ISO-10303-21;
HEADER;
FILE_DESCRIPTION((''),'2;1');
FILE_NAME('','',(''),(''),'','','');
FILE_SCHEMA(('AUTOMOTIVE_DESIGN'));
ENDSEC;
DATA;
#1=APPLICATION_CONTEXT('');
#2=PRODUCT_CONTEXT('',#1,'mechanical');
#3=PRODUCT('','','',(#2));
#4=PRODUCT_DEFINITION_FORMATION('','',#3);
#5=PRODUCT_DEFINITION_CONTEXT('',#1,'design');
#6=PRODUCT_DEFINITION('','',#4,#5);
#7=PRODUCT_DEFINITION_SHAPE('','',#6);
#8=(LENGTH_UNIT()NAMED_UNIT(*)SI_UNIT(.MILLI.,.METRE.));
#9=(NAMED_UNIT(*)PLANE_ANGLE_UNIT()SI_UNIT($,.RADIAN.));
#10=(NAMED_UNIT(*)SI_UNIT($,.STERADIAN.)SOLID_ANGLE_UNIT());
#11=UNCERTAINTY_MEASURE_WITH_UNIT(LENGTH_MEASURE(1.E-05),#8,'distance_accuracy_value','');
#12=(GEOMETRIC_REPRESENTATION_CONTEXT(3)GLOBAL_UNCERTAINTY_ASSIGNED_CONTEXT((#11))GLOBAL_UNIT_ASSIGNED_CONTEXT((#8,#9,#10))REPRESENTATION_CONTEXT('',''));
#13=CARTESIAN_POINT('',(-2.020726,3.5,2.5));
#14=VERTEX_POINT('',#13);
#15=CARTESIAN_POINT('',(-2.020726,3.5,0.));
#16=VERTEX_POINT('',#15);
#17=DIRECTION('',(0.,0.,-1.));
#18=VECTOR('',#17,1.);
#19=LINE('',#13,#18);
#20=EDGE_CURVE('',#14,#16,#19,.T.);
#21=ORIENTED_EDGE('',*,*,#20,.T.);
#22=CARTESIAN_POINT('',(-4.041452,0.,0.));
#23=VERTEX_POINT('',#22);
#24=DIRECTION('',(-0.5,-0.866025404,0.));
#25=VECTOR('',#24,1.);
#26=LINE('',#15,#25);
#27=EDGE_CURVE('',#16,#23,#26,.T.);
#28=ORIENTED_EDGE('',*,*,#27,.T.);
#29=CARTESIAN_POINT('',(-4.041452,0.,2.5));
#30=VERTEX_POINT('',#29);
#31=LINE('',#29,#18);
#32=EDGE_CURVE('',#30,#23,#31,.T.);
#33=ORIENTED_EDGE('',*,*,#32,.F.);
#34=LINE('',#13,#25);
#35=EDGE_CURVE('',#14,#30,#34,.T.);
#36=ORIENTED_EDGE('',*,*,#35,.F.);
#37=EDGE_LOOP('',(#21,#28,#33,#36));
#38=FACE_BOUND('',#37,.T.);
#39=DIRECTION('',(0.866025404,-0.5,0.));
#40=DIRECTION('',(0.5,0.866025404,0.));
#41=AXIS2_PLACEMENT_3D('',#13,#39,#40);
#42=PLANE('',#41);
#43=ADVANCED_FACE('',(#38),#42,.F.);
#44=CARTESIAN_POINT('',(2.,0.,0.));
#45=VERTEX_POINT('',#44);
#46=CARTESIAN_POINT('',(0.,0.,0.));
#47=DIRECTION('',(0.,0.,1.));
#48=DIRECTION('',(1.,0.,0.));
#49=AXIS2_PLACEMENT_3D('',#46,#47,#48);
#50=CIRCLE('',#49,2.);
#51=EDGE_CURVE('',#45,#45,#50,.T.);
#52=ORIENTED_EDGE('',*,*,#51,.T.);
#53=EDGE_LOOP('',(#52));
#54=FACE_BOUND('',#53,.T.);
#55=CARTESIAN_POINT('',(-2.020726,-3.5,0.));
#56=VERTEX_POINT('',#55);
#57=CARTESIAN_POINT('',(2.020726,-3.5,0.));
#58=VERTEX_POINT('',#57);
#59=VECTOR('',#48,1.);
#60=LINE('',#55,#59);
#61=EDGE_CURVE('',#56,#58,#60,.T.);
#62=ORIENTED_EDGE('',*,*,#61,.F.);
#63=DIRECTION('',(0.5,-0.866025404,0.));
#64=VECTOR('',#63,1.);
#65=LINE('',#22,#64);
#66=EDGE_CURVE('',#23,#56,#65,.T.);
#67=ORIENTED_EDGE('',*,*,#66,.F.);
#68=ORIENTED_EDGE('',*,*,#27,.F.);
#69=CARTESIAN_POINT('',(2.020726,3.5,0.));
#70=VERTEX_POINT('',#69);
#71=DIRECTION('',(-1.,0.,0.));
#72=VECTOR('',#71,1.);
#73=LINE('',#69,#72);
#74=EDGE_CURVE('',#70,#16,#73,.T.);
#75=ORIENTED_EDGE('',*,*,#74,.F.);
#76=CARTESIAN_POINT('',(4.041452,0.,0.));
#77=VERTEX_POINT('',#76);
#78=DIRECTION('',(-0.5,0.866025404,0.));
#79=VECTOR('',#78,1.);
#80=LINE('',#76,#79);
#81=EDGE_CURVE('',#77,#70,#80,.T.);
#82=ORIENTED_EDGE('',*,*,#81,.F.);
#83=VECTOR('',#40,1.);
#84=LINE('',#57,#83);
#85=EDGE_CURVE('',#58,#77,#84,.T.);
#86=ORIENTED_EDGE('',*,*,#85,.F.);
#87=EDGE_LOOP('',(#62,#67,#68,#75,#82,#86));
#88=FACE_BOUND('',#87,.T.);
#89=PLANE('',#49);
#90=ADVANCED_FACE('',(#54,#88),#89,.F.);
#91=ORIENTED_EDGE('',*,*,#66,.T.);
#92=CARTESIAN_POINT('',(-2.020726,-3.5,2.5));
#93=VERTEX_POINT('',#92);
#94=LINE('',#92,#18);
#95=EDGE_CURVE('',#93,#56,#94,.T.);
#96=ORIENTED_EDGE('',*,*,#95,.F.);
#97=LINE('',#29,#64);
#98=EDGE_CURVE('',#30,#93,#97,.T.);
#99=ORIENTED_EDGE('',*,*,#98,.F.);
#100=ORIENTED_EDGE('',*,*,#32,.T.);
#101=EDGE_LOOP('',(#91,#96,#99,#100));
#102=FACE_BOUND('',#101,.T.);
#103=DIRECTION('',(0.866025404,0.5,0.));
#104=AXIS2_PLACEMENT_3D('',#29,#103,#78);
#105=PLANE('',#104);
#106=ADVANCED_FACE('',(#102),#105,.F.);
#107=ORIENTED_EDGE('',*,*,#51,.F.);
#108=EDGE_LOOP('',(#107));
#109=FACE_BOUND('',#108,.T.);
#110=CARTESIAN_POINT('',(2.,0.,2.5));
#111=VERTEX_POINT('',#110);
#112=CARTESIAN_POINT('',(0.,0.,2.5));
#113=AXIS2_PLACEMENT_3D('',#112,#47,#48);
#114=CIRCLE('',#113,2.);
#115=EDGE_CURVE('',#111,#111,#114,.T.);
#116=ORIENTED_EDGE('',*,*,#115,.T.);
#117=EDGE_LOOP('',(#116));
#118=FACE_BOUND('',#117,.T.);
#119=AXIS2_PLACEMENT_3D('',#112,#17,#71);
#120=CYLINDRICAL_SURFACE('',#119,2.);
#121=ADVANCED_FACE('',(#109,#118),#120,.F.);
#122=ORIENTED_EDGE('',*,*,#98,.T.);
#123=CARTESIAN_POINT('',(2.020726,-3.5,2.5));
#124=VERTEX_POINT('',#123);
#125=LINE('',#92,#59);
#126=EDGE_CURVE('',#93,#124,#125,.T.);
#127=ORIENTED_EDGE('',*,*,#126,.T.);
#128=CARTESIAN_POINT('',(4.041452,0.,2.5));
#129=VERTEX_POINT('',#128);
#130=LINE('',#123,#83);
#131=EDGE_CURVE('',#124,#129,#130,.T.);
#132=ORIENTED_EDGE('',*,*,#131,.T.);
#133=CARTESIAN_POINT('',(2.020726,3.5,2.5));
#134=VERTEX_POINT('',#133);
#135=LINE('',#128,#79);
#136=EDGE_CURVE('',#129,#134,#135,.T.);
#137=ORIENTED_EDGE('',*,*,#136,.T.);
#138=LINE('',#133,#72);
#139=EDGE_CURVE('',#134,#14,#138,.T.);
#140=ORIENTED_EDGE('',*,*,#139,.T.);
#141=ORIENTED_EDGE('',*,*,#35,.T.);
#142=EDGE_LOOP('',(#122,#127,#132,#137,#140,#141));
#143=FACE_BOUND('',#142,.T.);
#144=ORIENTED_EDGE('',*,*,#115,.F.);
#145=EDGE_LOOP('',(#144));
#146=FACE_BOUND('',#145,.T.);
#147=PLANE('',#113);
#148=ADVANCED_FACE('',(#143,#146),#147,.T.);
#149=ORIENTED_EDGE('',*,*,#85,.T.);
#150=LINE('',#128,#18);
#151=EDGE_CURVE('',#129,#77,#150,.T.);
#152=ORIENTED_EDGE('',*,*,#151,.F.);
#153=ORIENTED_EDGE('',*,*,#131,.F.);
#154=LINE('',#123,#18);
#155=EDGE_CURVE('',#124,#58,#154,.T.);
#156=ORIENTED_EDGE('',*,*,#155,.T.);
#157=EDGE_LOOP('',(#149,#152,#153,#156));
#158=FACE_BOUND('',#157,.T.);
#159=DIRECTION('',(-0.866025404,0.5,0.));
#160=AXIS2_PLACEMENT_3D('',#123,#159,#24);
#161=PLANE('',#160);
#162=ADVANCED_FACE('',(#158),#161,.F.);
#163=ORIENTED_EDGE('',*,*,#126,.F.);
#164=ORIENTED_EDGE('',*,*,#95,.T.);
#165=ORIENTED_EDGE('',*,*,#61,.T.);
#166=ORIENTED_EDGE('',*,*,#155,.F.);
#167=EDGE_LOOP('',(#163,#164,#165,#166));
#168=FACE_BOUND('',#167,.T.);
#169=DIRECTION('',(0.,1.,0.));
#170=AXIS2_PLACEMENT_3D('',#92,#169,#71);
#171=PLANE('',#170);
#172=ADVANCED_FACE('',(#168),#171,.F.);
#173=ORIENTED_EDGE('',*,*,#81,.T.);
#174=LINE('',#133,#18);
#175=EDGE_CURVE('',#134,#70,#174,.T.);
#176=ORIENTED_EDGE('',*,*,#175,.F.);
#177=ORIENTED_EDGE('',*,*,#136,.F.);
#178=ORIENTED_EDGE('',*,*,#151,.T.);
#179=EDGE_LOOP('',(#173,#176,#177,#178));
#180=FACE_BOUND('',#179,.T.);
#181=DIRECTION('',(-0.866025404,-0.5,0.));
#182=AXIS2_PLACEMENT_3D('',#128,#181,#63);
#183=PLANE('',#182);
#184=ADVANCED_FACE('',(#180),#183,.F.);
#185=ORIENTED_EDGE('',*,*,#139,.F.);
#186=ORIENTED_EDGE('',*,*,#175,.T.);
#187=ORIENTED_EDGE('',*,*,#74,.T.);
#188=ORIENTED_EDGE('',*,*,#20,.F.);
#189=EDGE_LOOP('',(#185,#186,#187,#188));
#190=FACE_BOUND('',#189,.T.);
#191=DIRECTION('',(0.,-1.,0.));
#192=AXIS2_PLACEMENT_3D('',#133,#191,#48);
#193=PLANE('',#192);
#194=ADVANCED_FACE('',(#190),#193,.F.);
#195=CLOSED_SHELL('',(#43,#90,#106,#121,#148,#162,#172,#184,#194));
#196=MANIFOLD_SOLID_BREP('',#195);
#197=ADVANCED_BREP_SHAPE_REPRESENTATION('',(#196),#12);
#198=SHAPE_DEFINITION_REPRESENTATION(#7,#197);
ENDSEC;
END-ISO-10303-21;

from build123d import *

# Parameters (mm, degrees)
CROQUIS1_R              = 2
SALIENTE_EXTRUIR1_DEPTH = 2.5


with BuildPart() as part:
    # Croquis1 → Saliente-Extruir1 (new body)
    with BuildSketch(Plane.XY):
        Polygon((4.041451884, 0), (2.020725942, 3.5), (-2.020725942, 3.5), (-4.041451884, 0), (-2.020725942, -3.5), (2.020725942, -3.5), align=None)
        Circle(CROQUIS1_R, mode=Mode.SUBTRACT)
    extrude(amount=SALIENTE_EXTRUIR1_DEPTH)


solid = part.part
